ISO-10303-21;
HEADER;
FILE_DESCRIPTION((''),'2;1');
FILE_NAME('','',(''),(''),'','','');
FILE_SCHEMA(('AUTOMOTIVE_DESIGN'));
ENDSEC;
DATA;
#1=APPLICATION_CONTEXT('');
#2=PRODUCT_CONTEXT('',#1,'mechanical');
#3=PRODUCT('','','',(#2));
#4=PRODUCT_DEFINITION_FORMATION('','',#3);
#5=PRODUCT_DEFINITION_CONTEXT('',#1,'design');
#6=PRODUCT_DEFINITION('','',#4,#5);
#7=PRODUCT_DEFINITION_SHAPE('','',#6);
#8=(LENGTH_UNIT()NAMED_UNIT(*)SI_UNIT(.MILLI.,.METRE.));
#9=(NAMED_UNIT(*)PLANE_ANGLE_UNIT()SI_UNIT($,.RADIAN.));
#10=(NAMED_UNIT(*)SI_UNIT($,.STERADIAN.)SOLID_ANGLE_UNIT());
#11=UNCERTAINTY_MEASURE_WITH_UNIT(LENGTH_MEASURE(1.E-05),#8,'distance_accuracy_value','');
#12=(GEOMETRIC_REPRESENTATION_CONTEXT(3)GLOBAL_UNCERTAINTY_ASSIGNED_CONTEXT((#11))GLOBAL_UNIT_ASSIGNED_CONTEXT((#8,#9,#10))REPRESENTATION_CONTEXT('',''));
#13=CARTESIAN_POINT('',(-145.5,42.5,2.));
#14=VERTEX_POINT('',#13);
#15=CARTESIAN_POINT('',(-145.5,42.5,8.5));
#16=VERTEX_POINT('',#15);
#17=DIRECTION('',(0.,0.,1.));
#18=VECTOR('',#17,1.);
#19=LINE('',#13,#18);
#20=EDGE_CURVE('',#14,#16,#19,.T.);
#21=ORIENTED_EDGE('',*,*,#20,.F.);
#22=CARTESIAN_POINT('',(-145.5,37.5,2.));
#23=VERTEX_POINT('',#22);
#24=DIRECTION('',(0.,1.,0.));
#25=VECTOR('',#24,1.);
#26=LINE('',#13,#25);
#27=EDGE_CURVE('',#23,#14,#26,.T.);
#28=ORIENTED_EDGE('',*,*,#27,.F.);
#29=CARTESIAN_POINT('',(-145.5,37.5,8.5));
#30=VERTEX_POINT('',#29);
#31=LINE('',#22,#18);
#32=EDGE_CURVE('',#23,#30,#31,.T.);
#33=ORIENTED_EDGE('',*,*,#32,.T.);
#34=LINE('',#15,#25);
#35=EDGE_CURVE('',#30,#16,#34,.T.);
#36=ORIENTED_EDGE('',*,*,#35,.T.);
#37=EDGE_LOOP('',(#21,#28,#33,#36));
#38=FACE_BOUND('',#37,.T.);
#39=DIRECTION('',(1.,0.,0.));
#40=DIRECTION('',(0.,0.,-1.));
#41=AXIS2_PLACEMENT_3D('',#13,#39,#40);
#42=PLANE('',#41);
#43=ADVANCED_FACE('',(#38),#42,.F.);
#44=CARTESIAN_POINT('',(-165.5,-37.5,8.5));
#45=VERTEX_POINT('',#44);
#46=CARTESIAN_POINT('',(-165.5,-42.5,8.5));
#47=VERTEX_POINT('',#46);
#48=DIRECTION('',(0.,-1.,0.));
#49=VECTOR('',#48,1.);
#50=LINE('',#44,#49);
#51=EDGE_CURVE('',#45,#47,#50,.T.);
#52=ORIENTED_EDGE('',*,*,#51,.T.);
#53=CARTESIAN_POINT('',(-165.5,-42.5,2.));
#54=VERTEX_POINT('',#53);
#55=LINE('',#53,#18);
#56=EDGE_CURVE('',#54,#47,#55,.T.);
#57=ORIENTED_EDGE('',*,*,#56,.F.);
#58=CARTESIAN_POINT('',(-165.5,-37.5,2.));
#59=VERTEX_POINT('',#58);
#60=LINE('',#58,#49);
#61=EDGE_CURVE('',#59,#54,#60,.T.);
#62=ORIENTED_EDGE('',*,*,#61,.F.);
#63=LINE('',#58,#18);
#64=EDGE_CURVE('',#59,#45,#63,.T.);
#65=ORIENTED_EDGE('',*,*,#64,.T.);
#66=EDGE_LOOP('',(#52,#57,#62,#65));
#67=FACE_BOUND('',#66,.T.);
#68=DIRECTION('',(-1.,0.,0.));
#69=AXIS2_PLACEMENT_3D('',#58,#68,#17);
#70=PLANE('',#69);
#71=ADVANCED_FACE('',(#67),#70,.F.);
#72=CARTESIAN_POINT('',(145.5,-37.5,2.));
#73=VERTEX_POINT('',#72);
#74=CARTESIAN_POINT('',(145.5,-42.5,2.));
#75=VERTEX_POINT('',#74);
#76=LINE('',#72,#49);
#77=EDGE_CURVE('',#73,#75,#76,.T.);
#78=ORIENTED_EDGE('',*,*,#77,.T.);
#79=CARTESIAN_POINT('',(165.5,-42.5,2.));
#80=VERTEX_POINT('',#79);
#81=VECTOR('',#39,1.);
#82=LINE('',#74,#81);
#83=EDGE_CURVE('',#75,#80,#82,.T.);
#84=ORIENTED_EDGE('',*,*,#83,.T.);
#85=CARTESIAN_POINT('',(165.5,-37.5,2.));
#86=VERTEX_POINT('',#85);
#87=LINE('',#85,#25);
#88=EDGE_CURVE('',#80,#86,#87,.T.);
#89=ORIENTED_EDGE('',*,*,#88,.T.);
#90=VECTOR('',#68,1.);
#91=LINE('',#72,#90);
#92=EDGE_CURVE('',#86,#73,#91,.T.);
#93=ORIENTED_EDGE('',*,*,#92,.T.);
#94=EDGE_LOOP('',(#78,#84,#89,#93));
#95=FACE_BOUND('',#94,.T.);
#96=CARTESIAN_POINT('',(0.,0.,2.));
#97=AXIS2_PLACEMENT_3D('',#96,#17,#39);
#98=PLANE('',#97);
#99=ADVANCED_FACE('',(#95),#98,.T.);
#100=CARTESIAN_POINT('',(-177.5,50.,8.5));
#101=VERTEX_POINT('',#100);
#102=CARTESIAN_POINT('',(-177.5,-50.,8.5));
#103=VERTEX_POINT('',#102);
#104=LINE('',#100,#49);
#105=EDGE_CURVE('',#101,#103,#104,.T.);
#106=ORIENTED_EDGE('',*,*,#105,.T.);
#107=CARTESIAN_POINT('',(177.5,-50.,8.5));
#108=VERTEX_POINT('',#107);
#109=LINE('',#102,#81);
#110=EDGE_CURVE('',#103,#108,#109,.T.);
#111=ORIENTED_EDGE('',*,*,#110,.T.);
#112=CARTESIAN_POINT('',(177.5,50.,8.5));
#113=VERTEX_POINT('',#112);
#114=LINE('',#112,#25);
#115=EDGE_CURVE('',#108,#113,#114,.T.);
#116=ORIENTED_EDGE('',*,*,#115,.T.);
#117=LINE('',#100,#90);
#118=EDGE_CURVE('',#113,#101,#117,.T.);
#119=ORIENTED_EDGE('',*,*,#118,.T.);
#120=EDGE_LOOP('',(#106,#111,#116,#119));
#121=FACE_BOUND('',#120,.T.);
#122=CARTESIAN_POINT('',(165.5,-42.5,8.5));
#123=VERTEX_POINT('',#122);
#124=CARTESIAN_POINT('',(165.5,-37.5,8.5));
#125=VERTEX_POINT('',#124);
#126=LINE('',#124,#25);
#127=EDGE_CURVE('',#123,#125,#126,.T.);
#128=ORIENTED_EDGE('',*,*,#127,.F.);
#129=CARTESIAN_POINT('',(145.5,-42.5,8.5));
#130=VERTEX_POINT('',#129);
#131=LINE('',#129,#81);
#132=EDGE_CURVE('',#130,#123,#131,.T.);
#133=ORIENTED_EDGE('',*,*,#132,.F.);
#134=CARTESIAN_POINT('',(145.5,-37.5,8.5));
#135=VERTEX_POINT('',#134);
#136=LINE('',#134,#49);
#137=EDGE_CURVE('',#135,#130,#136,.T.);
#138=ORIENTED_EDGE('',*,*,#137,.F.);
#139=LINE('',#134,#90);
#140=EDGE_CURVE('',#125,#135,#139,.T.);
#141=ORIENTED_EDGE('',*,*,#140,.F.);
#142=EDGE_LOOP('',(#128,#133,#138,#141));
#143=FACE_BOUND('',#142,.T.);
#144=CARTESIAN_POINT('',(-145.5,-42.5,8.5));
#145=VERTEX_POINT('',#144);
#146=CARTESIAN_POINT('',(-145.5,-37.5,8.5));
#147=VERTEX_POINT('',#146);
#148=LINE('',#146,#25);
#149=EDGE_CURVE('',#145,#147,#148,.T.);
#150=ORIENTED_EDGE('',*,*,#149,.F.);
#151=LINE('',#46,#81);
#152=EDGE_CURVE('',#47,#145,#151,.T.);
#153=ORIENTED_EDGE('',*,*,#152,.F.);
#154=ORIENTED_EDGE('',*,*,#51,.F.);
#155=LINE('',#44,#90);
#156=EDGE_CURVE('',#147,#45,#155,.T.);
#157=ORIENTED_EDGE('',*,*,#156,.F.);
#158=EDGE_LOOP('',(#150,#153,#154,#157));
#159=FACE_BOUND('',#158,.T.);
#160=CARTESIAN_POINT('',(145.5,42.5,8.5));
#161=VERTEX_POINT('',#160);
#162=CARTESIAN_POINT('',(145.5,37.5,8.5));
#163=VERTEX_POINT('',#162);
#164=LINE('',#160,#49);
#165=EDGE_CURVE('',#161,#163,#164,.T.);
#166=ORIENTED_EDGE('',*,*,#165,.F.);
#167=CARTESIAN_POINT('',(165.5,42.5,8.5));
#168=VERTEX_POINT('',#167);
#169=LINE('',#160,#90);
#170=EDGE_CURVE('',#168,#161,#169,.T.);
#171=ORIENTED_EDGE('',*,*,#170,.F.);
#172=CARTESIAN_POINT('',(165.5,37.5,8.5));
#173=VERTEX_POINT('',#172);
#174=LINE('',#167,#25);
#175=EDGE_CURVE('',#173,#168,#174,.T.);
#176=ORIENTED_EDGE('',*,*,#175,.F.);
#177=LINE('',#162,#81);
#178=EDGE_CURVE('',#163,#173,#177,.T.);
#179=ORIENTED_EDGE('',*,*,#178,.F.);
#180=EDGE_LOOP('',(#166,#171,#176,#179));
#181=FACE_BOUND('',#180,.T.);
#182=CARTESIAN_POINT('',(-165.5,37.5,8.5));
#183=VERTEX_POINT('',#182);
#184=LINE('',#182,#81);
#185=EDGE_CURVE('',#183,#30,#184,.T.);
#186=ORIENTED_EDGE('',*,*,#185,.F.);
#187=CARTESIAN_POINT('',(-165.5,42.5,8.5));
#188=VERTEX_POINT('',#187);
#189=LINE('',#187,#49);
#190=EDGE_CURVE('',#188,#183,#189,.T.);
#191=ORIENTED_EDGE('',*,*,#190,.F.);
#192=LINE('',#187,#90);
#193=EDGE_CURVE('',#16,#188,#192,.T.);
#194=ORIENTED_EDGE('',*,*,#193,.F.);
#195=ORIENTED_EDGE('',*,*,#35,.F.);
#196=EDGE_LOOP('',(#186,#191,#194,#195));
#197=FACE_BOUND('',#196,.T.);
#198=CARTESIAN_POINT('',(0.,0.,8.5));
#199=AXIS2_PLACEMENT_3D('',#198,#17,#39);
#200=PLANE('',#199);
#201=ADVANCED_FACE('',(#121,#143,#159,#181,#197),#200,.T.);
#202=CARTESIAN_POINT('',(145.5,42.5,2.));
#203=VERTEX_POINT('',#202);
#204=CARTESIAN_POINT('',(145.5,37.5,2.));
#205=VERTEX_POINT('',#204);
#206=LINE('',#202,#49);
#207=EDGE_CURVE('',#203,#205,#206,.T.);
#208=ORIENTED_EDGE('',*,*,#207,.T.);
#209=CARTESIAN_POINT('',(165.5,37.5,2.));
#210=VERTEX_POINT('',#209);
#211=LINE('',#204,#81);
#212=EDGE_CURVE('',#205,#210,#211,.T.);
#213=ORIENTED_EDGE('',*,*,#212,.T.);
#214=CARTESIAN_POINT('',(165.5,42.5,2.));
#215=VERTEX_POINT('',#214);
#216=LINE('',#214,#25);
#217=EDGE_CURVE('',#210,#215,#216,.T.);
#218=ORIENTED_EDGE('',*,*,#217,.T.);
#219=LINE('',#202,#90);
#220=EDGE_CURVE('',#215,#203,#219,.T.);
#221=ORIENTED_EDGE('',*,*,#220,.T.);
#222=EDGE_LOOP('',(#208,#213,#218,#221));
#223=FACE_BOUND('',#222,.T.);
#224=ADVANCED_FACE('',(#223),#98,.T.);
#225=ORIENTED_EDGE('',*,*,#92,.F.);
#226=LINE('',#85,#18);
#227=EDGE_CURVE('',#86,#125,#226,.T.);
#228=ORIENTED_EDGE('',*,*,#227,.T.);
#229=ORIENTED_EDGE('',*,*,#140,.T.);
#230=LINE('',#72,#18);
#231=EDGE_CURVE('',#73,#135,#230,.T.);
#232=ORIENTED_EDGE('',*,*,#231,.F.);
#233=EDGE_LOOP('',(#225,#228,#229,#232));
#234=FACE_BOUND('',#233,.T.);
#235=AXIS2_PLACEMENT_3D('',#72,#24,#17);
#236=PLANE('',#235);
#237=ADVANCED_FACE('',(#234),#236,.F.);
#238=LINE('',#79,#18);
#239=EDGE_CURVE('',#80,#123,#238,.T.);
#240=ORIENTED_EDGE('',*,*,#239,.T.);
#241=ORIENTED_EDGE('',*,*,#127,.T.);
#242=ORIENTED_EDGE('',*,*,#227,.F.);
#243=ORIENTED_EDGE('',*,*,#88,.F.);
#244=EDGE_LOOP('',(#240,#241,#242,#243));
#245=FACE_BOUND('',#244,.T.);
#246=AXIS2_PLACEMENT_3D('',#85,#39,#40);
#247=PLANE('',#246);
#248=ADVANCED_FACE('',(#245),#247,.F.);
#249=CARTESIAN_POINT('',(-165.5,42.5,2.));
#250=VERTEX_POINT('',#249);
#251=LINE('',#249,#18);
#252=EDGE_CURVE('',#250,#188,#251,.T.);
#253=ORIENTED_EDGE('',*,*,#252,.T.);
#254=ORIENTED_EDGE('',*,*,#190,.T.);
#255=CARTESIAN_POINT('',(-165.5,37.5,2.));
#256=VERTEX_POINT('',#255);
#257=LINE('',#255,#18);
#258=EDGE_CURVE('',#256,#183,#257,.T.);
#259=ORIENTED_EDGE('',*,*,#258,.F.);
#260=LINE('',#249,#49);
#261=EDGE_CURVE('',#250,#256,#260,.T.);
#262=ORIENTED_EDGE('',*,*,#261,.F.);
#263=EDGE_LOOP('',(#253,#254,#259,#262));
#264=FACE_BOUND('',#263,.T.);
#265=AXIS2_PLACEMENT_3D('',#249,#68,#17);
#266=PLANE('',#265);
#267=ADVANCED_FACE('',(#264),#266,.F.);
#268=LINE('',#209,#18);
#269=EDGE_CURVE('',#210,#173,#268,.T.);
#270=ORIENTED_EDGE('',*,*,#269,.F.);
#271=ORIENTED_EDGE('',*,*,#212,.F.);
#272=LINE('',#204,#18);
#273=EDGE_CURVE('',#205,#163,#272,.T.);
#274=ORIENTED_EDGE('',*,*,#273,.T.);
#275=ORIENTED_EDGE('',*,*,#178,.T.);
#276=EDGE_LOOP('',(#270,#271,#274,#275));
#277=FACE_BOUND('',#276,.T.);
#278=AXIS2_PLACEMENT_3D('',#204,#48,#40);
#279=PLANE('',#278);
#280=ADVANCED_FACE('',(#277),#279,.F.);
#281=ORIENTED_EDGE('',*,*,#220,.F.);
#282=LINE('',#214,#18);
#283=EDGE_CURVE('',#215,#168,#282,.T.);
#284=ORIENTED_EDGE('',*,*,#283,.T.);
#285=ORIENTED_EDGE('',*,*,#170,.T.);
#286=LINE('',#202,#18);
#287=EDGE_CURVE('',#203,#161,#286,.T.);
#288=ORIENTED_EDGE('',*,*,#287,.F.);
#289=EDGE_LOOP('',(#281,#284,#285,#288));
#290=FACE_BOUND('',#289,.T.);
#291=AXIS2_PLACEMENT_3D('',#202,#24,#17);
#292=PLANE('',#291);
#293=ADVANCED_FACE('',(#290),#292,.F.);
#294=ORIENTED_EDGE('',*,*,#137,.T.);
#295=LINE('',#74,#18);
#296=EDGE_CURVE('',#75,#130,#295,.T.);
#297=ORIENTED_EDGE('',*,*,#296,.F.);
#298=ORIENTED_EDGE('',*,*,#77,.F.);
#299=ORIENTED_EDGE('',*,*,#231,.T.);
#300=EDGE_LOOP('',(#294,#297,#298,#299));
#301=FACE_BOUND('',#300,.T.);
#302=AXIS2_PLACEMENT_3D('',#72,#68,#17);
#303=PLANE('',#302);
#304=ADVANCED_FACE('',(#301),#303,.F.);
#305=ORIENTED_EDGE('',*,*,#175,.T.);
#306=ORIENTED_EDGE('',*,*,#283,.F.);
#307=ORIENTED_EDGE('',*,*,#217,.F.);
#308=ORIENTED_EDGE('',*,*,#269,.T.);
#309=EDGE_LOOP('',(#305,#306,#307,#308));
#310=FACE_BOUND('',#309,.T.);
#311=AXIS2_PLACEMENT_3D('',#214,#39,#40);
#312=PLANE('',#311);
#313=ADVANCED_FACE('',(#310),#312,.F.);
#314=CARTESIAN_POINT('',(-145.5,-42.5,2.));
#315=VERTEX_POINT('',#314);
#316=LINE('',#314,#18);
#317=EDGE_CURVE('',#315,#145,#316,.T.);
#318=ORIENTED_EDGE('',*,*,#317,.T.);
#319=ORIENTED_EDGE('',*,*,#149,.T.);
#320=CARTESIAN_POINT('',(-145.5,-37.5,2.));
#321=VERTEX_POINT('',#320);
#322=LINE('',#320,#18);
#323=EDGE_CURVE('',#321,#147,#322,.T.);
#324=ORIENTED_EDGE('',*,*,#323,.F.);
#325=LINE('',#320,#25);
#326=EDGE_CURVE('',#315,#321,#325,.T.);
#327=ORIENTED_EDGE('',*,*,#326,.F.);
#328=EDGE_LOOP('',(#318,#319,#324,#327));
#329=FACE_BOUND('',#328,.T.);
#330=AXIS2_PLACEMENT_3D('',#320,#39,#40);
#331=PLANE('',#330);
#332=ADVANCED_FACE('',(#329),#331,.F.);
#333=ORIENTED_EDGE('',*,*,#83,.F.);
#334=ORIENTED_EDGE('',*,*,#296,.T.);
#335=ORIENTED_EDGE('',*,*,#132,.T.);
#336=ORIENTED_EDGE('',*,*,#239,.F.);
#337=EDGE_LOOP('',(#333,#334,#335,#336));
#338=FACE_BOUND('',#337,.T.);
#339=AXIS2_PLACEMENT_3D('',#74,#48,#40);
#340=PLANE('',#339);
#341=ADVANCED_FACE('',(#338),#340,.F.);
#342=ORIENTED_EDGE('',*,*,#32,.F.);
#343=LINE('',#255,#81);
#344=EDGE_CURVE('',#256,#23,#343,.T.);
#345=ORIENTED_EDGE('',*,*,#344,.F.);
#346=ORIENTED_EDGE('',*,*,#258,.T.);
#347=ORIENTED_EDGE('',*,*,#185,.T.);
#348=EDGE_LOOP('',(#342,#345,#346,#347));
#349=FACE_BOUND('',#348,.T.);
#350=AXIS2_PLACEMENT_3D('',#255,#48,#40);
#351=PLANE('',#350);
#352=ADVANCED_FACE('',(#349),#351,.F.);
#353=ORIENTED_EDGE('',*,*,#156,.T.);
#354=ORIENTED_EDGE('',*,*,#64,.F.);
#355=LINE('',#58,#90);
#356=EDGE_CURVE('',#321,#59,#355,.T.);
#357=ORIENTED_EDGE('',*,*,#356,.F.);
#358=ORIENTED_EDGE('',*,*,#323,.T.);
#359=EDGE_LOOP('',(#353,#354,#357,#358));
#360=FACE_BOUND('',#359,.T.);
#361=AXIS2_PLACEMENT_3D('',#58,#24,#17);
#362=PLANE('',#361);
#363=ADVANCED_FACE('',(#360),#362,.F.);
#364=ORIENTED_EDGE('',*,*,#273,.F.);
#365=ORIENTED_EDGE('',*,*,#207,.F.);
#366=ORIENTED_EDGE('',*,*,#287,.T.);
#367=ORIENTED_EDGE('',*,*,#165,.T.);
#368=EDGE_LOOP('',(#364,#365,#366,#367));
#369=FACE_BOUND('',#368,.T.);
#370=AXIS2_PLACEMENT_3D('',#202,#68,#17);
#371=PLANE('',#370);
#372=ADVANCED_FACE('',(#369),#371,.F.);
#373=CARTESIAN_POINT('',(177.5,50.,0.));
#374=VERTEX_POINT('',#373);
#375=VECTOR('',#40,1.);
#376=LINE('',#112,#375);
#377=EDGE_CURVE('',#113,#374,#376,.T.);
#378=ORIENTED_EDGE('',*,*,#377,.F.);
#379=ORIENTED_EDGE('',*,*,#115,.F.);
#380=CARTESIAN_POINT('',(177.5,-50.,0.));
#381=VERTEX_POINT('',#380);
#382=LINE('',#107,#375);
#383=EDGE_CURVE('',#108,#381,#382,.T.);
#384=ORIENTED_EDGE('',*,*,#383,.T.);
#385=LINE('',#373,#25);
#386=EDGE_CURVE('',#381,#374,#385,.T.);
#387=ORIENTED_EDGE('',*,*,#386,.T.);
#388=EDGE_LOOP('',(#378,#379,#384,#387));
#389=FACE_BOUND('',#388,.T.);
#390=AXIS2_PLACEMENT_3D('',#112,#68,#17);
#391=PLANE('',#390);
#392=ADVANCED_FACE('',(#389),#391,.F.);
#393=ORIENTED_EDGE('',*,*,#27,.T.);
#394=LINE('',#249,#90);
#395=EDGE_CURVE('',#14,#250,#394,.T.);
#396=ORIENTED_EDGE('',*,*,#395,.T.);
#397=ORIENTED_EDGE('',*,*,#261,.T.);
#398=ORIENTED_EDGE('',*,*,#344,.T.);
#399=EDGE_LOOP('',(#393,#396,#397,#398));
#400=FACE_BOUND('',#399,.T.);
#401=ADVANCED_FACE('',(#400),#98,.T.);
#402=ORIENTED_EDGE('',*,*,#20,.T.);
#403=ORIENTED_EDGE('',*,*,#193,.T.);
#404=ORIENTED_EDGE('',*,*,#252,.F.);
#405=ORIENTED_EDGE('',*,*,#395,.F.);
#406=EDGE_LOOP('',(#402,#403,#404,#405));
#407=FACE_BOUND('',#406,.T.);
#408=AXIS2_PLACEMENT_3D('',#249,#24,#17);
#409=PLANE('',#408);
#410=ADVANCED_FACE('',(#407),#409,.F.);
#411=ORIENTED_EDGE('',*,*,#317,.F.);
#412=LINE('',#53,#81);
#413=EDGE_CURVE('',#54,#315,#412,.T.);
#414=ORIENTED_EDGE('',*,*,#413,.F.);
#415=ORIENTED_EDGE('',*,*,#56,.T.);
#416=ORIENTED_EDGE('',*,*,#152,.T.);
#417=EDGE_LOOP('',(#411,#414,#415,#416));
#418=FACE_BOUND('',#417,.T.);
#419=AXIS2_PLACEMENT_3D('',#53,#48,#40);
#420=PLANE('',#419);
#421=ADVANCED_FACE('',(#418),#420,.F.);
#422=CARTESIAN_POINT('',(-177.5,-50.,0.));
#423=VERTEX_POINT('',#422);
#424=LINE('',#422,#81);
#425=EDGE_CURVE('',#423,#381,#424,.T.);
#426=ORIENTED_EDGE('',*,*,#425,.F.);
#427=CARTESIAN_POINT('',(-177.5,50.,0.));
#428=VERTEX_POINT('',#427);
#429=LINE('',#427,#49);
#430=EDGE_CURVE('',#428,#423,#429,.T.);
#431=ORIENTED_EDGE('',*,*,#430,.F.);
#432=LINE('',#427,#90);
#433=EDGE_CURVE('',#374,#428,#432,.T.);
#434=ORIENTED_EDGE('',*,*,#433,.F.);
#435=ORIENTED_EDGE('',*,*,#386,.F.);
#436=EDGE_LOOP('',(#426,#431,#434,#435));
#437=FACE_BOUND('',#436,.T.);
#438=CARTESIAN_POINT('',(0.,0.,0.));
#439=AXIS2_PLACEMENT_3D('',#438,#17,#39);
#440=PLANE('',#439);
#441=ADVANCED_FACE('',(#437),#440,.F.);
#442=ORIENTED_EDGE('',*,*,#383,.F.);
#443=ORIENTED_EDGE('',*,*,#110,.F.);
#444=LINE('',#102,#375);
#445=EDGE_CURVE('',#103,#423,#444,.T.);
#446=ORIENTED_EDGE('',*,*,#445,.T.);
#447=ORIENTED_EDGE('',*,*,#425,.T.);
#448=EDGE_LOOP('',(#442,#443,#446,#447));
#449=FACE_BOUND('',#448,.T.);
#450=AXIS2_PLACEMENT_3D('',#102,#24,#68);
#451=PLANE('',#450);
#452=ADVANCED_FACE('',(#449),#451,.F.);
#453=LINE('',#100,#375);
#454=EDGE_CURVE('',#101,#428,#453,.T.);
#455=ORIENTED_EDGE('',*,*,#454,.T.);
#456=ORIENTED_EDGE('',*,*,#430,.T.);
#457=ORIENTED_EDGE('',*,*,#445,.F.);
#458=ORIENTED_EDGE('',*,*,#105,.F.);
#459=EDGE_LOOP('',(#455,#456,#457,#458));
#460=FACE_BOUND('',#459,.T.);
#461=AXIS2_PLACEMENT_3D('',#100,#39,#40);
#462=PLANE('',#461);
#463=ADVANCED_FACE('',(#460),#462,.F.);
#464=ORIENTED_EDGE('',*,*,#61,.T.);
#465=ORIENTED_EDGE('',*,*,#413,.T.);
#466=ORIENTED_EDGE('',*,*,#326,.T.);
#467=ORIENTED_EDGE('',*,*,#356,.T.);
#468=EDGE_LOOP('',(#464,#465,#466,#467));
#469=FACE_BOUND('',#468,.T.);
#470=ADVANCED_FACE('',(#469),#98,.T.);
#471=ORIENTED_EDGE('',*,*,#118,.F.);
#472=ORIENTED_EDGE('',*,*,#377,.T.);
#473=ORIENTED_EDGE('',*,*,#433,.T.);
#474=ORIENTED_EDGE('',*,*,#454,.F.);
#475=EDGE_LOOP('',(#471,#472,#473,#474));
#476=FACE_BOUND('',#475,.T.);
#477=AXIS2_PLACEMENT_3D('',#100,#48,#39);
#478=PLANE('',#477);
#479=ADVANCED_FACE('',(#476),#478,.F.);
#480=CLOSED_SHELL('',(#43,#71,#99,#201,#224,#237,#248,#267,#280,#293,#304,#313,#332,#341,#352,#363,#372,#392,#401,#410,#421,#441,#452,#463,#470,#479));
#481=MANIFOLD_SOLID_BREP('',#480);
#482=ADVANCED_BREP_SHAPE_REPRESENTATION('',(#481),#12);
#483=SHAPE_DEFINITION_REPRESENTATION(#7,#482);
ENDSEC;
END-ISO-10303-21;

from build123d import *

# Parameters (mm, degrees)
CROQUIS2_W              = 355
CROQUIS2_H              = 100
SALIENTE_EXTRUIR1_DEPTH = 8.5
CROQUIS4_W              = 20
CROQUIS4_H              = 5
CORTAR_EXTRUIR1_DEPTH   = 6.5


with BuildPart() as part:
    # Croquis2 → Saliente-Extruir1 (new body)
    with BuildSketch(Plane.XY):
        Rectangle(CROQUIS2_W, CROQUIS2_H)
    extrude(amount=SALIENTE_EXTRUIR1_DEPTH)

    # Croquis4 → Cortar-Extruir1 (cut)
    with BuildSketch(Plane.XY.offset(8.5)):
        with Locations((-155.5, 40)):
            Rectangle(CROQUIS4_W, CROQUIS4_H)
        with Locations((-155.5, -40)):
            Rectangle(CROQUIS4_W, CROQUIS4_H)
        with Locations((155.5, 40)):
            Rectangle(CROQUIS4_W, CROQUIS4_H)
        with Locations((155.5, -40)):
            Rectangle(CROQUIS4_W, CROQUIS4_H)
    extrude(amount=-CORTAR_EXTRUIR1_DEPTH, mode=Mode.SUBTRACT)


solid = part.part
